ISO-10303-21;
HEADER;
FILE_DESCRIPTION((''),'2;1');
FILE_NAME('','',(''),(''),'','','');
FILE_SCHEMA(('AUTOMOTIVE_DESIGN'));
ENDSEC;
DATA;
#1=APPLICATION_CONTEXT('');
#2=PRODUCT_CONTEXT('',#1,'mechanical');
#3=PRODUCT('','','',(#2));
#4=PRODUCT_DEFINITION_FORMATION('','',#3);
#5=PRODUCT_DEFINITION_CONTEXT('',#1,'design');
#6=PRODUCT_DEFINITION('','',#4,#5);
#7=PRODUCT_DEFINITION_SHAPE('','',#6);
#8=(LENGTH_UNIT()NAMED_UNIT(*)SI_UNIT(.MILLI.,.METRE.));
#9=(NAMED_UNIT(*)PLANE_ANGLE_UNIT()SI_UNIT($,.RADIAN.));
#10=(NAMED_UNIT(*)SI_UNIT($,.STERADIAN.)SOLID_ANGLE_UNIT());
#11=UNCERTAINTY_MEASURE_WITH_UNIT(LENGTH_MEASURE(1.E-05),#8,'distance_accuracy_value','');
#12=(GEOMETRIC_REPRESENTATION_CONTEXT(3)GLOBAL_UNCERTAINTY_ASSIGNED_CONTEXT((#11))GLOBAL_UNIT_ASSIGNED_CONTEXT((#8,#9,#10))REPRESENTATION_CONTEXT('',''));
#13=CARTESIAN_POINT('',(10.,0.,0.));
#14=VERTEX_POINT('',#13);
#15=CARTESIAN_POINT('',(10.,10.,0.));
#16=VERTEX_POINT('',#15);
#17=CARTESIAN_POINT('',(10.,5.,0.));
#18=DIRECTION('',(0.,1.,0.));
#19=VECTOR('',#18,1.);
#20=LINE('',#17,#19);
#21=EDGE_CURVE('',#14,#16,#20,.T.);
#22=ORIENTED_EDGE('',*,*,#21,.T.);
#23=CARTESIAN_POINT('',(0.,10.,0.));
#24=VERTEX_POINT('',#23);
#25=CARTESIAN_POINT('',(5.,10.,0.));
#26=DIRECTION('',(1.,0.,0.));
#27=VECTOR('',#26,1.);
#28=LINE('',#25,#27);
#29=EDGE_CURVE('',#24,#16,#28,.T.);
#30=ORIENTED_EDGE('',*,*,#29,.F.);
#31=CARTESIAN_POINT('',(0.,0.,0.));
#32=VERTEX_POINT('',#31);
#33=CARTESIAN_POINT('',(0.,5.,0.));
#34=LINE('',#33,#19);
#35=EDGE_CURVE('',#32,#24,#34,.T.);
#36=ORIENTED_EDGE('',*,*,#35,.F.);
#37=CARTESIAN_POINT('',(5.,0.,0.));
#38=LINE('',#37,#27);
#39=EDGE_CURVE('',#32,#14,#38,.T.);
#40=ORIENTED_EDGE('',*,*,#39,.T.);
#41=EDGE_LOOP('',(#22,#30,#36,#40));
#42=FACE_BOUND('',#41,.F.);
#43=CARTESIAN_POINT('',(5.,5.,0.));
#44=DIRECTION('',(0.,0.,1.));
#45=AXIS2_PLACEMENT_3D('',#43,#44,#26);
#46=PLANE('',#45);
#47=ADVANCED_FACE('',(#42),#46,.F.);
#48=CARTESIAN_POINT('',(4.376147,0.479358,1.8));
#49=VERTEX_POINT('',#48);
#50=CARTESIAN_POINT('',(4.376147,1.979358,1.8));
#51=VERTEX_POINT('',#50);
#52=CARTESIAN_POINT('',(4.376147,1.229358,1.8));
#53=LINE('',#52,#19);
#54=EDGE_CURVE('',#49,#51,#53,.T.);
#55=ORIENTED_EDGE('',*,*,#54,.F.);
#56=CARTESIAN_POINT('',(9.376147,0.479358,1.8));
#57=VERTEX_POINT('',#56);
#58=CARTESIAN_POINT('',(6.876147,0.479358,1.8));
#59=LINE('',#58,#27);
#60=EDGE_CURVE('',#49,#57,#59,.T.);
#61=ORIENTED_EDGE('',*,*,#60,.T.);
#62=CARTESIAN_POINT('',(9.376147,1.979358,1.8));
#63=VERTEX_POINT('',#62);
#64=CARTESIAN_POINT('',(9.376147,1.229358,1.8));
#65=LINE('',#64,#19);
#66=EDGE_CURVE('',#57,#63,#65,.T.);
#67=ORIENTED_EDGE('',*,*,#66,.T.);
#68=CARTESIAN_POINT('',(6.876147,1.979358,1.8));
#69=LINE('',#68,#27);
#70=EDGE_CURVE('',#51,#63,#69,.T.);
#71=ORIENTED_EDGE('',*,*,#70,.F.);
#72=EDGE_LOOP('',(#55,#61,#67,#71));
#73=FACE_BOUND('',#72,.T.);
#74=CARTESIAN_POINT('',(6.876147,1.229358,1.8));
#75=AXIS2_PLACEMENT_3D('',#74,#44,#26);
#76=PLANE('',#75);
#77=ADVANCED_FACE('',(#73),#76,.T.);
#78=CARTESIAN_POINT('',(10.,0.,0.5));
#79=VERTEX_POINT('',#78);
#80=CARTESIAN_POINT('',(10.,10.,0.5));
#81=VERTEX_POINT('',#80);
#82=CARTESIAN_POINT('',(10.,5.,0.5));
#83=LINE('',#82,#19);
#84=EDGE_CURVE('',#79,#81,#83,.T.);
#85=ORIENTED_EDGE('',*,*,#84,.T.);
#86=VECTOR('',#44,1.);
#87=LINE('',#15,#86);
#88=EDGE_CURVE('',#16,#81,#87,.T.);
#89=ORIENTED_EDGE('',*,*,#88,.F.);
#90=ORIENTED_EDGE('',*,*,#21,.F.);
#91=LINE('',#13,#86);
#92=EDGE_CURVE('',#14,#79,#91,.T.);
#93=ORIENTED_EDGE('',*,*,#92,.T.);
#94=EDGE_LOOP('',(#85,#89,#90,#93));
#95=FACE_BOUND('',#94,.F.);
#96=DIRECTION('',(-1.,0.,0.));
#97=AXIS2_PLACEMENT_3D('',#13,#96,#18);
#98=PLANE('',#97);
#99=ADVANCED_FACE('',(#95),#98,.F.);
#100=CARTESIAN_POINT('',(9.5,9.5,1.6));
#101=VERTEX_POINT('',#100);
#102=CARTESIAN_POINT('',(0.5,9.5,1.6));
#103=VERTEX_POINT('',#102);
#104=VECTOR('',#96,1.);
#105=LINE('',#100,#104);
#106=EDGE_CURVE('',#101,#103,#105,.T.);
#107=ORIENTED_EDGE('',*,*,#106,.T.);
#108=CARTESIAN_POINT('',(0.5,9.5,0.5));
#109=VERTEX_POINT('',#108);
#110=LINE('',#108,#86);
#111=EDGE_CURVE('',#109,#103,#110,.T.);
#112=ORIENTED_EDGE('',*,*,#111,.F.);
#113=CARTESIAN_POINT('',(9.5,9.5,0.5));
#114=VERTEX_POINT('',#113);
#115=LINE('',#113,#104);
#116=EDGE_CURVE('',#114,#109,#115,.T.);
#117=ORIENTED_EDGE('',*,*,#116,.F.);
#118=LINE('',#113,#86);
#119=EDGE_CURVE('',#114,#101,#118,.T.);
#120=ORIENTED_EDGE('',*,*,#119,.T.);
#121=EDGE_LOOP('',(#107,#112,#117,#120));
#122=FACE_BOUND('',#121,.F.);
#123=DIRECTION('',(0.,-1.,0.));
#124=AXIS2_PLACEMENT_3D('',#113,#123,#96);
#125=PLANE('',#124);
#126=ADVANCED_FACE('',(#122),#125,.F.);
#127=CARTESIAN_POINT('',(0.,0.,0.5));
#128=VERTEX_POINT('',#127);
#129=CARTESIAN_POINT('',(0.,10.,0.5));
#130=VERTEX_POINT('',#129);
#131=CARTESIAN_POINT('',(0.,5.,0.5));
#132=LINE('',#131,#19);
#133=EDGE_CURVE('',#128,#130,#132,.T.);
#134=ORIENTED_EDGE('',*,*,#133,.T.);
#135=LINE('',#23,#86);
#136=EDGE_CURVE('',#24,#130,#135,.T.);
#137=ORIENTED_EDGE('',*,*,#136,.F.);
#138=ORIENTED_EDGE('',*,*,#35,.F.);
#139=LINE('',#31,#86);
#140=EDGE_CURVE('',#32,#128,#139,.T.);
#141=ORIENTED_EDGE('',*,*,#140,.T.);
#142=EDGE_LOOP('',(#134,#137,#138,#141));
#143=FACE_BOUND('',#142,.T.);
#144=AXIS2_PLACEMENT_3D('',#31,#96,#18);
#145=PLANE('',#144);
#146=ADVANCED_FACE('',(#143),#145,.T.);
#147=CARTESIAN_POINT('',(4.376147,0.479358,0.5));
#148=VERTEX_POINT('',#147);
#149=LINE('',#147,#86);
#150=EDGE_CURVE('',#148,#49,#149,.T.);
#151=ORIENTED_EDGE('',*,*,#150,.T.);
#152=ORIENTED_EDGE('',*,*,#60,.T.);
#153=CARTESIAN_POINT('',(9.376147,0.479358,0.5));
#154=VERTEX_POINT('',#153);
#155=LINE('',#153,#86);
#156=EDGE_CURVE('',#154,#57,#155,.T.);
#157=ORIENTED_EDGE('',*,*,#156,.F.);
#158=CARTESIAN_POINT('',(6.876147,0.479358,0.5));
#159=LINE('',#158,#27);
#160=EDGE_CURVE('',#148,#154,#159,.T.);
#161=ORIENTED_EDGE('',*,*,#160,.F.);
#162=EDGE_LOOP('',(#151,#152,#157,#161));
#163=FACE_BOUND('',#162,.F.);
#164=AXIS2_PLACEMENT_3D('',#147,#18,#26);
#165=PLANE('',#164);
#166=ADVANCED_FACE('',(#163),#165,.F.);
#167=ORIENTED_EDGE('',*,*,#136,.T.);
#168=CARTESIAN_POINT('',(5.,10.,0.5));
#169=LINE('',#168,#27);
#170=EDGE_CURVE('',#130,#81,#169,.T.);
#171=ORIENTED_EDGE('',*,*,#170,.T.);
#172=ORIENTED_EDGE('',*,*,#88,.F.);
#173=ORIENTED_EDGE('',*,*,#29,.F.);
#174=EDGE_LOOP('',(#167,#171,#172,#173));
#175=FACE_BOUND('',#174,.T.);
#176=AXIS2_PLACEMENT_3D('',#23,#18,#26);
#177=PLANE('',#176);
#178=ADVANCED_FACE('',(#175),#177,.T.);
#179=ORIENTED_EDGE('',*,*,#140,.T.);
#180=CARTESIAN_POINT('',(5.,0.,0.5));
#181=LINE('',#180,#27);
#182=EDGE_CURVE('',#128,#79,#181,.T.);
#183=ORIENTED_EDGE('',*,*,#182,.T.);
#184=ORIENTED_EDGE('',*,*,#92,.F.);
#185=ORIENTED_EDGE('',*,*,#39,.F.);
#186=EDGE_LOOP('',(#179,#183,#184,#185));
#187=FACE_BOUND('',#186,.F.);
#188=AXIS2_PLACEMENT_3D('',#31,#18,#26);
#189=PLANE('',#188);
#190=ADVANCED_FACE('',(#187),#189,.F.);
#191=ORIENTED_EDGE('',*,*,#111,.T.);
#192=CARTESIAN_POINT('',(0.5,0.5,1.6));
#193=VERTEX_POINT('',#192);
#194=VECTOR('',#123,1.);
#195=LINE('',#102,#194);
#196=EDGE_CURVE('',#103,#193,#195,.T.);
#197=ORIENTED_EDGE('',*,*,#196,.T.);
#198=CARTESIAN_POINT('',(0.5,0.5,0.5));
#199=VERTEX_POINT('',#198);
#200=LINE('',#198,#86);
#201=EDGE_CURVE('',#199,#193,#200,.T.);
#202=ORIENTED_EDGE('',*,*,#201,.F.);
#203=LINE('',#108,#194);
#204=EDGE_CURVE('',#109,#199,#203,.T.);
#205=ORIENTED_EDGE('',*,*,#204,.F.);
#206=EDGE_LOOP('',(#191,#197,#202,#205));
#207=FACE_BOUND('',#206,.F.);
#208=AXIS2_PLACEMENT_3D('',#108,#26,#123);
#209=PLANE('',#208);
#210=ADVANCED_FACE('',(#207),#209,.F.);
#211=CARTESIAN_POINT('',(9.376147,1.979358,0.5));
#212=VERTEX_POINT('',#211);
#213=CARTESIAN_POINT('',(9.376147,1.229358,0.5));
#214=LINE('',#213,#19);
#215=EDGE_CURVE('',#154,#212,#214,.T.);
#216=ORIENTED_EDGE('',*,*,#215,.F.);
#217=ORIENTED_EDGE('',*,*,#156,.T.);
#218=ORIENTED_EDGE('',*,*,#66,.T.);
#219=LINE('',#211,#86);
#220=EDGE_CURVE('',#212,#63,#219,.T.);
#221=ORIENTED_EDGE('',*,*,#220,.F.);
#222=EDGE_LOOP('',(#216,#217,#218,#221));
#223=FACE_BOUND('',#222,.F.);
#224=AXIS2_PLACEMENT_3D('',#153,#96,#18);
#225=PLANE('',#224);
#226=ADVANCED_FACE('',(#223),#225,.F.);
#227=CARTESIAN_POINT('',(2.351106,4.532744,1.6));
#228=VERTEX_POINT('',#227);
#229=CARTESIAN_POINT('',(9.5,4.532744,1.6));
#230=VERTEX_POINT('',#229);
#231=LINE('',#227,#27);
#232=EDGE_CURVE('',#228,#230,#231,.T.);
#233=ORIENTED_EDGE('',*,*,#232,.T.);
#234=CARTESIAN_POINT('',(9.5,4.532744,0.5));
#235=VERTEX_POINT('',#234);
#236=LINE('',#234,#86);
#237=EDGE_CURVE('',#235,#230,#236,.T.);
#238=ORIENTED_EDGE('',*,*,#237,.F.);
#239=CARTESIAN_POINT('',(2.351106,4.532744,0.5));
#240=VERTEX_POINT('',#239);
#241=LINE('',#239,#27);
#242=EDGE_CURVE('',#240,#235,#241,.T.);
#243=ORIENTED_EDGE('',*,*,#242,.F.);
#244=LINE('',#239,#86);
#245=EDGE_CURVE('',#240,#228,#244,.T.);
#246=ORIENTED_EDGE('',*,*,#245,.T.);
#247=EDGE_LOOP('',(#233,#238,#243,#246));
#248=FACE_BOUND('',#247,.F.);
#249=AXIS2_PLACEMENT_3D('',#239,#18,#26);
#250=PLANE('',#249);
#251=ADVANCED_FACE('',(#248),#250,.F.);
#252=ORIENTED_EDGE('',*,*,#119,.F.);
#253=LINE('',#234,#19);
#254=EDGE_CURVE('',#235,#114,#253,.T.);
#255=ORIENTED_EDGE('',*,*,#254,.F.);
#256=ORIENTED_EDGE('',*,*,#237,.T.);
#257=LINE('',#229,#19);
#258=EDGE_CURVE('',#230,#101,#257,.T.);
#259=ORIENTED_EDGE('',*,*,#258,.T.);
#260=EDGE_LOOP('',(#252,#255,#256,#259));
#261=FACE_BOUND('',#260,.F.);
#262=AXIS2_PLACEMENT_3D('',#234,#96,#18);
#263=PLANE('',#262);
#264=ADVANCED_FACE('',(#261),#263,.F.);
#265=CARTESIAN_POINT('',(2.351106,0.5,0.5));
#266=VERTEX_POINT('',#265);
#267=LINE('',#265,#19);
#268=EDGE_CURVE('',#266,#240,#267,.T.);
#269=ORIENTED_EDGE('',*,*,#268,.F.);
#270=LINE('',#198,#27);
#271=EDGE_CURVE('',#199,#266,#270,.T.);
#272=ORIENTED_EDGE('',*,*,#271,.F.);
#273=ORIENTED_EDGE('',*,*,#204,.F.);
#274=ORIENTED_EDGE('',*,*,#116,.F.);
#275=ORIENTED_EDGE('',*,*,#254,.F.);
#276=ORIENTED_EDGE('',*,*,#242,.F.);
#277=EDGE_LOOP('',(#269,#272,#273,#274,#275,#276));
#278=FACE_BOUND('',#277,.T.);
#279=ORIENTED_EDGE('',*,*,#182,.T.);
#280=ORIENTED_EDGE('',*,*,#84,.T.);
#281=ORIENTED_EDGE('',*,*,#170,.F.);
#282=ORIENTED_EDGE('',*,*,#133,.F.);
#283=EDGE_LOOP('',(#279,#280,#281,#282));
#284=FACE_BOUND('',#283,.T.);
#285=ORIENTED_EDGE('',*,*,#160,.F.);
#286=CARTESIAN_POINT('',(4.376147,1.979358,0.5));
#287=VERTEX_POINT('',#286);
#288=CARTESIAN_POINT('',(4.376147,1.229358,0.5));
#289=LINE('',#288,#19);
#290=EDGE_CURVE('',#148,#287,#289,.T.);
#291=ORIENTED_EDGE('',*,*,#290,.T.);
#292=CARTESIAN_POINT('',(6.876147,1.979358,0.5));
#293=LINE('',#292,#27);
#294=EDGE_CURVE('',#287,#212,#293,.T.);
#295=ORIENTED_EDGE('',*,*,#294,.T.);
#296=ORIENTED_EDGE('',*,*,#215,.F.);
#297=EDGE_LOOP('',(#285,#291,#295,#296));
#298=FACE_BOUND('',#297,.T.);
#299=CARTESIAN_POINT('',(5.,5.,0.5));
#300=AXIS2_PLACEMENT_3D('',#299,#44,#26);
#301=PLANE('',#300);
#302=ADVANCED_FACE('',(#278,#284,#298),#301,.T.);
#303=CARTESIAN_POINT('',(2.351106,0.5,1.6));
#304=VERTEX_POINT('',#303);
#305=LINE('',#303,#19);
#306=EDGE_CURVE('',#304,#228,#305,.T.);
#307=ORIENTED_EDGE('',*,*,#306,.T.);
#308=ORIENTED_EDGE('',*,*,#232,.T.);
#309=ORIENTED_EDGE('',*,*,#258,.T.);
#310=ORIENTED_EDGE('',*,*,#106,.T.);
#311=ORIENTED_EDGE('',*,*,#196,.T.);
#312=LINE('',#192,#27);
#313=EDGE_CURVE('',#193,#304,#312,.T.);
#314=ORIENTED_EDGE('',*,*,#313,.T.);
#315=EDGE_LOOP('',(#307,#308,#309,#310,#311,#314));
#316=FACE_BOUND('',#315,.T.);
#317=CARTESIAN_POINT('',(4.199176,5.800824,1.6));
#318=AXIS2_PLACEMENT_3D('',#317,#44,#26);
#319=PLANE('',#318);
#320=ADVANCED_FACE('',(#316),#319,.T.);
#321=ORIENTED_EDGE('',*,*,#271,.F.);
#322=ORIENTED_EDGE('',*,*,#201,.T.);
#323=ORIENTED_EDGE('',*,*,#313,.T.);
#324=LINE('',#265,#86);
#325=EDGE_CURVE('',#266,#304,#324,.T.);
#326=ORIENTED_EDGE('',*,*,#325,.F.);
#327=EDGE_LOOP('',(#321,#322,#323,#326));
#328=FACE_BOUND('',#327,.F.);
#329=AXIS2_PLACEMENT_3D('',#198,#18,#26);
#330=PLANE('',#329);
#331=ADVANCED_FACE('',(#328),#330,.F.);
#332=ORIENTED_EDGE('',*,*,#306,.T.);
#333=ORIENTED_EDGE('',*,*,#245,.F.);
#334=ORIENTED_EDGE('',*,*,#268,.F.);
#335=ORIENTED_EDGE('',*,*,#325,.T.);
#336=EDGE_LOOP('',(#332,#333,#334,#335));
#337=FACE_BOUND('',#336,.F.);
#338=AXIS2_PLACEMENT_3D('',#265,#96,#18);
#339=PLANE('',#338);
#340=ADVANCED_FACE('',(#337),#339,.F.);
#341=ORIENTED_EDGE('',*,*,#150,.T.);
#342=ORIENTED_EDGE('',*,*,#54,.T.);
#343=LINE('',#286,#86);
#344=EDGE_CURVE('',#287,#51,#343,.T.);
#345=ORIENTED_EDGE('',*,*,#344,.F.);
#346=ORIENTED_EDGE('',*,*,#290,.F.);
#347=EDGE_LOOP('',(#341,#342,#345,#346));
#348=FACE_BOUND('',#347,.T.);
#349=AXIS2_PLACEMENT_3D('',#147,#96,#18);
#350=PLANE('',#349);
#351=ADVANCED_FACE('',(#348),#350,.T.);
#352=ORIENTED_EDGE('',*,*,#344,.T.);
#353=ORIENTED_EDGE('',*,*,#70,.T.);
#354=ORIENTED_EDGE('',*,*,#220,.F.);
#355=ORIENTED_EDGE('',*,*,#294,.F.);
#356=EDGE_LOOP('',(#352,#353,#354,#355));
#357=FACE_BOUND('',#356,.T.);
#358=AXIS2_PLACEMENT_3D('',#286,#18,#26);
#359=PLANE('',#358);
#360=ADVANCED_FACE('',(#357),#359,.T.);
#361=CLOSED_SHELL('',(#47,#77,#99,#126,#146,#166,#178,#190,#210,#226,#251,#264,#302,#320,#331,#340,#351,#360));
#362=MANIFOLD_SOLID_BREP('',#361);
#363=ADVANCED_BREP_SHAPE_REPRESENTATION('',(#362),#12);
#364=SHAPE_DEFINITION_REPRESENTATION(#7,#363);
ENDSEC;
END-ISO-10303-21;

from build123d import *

# Parameters (mm, degrees)
F0_W     = 10
F0_H     = 10
F1_DEPTH = 0.5
F3_DEPTH = 1.1
F4_W     = 5
F4_H     = 1.5
F5_DEPTH = 1.3


with BuildPart() as f1:
    # F0 (on Top) → F1 (new body)
    with BuildSketch(Plane.XY):
        with Locations((5, 5)):
            Rectangle(F0_W, F0_H)
    extrude(amount=F1_DEPTH)

    # F2 (on face) → F3 (join)
    with BuildSketch(Plane.XY.offset(0.5)):
        Polygon((0.5, 9.5), (0.5, 0.5), (2.351106, 0.5), (2.351106, 4.532744), (9.5, 4.532744), (9.5, 9.5), align=None)
    extrude(amount=F3_DEPTH)

    # F4 (on face) → F5 (join)
    with BuildSketch(Plane.XY.offset(0.5)):
        with Locations((6.876147, 1.229358)):
            Rectangle(F4_W, F4_H)
    extrude(amount=F5_DEPTH)


solid = f1.part
